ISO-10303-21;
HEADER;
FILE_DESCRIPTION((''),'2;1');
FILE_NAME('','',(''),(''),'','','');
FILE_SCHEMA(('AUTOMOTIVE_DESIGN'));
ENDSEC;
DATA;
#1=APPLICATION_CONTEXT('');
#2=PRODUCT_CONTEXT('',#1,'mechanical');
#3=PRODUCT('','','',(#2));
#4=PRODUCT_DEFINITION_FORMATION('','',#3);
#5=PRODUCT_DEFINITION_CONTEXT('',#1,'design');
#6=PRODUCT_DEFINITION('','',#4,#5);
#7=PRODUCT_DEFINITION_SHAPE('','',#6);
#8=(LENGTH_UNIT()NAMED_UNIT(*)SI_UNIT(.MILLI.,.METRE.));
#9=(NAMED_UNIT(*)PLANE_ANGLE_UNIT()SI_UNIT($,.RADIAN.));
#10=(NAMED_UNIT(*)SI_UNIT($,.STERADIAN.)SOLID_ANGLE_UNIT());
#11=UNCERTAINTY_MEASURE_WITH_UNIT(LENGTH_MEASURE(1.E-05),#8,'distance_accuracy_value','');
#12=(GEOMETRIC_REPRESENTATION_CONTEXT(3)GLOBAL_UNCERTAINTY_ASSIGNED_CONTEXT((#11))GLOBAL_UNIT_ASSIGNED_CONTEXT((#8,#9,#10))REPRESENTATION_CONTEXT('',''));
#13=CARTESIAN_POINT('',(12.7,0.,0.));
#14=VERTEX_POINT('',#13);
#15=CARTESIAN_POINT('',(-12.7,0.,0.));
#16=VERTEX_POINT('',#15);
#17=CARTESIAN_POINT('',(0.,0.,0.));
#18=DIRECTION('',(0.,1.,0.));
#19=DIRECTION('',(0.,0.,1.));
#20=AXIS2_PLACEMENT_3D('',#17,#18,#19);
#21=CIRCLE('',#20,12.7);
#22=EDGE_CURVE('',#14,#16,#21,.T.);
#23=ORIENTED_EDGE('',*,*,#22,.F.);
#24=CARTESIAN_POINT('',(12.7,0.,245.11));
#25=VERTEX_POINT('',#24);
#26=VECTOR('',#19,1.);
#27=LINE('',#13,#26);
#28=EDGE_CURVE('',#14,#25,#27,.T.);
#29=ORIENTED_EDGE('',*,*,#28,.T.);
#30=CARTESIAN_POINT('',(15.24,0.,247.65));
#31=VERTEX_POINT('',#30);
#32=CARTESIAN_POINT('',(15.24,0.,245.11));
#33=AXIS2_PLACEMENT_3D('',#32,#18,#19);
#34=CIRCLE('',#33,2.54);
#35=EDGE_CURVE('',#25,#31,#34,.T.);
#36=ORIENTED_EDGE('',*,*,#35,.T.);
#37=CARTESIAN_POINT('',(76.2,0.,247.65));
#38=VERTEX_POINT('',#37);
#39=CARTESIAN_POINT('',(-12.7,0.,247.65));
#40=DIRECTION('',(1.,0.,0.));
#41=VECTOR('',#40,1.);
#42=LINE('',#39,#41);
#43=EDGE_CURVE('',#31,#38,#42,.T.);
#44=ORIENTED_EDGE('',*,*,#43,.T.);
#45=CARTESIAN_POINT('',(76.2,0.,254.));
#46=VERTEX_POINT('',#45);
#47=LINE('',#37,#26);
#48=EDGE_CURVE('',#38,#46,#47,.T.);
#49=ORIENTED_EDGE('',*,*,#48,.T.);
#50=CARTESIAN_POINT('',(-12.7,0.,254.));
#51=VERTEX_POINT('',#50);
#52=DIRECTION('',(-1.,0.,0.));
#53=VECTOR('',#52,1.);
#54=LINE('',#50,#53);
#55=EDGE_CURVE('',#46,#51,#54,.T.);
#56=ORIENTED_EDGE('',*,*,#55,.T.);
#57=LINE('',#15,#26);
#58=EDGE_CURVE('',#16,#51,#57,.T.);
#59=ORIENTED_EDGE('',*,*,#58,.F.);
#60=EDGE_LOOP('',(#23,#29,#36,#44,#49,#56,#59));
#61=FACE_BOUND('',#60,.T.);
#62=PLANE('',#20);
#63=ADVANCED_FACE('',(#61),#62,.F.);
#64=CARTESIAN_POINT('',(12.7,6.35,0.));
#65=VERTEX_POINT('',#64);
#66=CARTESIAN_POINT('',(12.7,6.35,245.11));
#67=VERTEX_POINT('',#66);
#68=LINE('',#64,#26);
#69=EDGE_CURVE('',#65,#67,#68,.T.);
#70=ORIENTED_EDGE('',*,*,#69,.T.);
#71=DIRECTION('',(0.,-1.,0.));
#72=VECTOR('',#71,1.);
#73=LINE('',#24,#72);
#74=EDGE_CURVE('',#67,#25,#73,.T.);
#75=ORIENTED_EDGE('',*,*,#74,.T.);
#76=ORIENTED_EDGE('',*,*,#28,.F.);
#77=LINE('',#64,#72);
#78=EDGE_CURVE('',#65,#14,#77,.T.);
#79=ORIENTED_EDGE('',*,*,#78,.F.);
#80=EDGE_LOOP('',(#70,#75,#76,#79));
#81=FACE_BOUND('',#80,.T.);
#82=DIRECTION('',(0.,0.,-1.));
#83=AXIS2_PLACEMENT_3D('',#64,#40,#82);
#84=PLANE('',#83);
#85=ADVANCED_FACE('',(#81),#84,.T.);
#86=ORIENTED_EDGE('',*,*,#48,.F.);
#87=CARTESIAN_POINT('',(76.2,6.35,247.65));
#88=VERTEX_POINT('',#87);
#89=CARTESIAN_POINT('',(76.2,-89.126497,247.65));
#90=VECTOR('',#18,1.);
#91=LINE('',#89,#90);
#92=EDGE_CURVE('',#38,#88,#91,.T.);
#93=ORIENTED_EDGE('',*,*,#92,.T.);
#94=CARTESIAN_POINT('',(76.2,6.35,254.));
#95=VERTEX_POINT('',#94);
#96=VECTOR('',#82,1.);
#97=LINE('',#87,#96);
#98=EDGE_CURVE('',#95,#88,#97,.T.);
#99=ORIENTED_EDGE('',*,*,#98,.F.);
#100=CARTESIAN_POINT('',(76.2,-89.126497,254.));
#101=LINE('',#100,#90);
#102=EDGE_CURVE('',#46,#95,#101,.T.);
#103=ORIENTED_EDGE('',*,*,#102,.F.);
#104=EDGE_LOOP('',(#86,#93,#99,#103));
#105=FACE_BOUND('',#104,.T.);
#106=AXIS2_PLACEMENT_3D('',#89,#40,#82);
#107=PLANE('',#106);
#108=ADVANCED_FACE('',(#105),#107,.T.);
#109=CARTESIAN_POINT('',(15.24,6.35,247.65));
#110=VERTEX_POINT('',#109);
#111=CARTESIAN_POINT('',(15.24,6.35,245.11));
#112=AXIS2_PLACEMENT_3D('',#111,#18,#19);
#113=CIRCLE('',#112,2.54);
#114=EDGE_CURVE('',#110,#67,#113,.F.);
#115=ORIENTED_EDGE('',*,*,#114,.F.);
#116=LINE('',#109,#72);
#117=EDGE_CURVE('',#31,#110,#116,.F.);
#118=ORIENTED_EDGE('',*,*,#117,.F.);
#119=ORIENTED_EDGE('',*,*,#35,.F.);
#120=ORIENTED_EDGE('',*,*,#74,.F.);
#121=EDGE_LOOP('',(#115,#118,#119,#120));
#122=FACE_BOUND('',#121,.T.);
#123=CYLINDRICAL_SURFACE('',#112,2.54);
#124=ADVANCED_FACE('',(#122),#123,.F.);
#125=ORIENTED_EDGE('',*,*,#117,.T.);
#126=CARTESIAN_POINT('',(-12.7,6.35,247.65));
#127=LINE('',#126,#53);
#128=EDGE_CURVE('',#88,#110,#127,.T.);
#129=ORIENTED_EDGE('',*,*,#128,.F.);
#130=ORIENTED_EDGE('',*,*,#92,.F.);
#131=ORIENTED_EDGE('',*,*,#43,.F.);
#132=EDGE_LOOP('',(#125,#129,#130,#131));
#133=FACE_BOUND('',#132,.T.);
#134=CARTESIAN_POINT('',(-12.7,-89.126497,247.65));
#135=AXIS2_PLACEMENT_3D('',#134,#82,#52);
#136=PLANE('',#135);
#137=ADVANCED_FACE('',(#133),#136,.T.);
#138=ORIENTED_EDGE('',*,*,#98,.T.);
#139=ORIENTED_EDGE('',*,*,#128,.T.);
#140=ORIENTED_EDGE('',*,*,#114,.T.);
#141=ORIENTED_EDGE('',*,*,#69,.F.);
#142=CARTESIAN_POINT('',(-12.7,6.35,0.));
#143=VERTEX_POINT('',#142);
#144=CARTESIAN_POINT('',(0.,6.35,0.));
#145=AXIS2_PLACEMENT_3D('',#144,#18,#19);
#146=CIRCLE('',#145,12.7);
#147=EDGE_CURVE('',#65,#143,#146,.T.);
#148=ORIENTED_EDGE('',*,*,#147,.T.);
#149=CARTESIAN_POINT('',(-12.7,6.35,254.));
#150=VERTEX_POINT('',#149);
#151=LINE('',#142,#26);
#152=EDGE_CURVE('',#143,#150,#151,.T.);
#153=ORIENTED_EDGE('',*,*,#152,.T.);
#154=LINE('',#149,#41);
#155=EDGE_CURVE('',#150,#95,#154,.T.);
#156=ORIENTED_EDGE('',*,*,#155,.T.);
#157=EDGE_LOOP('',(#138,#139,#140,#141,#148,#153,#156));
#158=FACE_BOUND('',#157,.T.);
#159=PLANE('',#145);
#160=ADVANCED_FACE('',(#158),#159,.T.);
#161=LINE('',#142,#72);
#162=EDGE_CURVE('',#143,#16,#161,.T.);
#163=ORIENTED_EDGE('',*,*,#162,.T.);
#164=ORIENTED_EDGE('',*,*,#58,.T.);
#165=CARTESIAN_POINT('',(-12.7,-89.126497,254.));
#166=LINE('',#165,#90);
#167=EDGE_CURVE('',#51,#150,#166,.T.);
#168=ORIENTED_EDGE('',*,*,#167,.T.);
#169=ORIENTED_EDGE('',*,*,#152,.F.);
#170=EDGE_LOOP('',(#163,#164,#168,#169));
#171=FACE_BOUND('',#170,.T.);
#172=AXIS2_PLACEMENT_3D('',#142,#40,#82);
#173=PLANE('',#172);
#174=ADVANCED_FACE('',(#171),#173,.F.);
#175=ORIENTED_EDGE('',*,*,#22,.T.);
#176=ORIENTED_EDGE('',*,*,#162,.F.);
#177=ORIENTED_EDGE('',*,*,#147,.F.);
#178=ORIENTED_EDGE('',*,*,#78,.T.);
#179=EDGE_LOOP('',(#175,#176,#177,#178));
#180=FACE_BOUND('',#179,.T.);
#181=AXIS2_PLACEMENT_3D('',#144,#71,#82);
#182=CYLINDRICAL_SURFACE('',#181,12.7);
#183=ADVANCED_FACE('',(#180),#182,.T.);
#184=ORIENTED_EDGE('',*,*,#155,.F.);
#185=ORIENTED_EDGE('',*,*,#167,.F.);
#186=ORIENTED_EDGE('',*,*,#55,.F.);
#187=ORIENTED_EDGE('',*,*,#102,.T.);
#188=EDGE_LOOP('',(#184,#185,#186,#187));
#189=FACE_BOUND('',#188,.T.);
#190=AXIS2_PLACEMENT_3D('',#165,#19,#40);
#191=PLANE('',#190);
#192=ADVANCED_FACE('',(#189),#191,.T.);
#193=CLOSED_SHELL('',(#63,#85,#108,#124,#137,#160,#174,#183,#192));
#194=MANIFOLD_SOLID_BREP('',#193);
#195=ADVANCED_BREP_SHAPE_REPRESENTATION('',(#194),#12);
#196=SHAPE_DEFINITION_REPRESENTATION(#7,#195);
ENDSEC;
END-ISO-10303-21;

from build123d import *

# Parameters (mm, degrees)
BOSS_EXTRUDE1_DEPTH = 6.35
SKETCH2_W           = 88.9
SKETCH2_H           = 6.35
BOSS_EXTRUDE2_DEPTH = 6.35
FILLET1_R           = 2.54


with BuildPart() as part:
    # Sketch1 → Boss-Extrude1 (new body)
    with BuildSketch(Plane(origin=(0, 0, 0), x_dir=(1, 0, 0), z_dir=(0, 1, 0))):
        with BuildLine():
            ThreePointArc((12.7, 0), (0, -12.7), (-12.7, 0))
            Line((-12.7, 0), (-12.7, -247.65))
            Line((-12.7, -247.65), (12.7, -247.65))
            Line((12.7, -247.65), (12.7, 0))
        make_face()
        with BuildLine():
            ThreePointArc((12.7, 0), (0, 12.7), (-12.7, 0))
            Line((-12.7, 0), (12.7, 0))
        make_face()
        with BuildLine():
            Line((12.7, 0), (-12.7, 0))
            ThreePointArc((-12.7, 0), (0, -12.7), (12.7, 0))
        make_face()
    extrude(amount=BOSS_EXTRUDE1_DEPTH)

    # Sketch2 → Boss-Extrude2 (add)
    with BuildSketch(Plane(origin=(0, 6.35, 0), x_dir=(1, 0, 0), z_dir=(0, 1, 0))):
        with Locations((31.75, -250.825)):
            Rectangle(SKETCH2_W, SKETCH2_H)
    extrude(amount=-BOSS_EXTRUDE2_DEPTH)

    # Fillet1
    fillet1_edges = [part.edges().sort_by_distance(p)[0] for p in [
        (12.7, 3.175, 247.65),
    ]]
    fillet(fillet1_edges, radius=FILLET1_R)


solid = part.part
